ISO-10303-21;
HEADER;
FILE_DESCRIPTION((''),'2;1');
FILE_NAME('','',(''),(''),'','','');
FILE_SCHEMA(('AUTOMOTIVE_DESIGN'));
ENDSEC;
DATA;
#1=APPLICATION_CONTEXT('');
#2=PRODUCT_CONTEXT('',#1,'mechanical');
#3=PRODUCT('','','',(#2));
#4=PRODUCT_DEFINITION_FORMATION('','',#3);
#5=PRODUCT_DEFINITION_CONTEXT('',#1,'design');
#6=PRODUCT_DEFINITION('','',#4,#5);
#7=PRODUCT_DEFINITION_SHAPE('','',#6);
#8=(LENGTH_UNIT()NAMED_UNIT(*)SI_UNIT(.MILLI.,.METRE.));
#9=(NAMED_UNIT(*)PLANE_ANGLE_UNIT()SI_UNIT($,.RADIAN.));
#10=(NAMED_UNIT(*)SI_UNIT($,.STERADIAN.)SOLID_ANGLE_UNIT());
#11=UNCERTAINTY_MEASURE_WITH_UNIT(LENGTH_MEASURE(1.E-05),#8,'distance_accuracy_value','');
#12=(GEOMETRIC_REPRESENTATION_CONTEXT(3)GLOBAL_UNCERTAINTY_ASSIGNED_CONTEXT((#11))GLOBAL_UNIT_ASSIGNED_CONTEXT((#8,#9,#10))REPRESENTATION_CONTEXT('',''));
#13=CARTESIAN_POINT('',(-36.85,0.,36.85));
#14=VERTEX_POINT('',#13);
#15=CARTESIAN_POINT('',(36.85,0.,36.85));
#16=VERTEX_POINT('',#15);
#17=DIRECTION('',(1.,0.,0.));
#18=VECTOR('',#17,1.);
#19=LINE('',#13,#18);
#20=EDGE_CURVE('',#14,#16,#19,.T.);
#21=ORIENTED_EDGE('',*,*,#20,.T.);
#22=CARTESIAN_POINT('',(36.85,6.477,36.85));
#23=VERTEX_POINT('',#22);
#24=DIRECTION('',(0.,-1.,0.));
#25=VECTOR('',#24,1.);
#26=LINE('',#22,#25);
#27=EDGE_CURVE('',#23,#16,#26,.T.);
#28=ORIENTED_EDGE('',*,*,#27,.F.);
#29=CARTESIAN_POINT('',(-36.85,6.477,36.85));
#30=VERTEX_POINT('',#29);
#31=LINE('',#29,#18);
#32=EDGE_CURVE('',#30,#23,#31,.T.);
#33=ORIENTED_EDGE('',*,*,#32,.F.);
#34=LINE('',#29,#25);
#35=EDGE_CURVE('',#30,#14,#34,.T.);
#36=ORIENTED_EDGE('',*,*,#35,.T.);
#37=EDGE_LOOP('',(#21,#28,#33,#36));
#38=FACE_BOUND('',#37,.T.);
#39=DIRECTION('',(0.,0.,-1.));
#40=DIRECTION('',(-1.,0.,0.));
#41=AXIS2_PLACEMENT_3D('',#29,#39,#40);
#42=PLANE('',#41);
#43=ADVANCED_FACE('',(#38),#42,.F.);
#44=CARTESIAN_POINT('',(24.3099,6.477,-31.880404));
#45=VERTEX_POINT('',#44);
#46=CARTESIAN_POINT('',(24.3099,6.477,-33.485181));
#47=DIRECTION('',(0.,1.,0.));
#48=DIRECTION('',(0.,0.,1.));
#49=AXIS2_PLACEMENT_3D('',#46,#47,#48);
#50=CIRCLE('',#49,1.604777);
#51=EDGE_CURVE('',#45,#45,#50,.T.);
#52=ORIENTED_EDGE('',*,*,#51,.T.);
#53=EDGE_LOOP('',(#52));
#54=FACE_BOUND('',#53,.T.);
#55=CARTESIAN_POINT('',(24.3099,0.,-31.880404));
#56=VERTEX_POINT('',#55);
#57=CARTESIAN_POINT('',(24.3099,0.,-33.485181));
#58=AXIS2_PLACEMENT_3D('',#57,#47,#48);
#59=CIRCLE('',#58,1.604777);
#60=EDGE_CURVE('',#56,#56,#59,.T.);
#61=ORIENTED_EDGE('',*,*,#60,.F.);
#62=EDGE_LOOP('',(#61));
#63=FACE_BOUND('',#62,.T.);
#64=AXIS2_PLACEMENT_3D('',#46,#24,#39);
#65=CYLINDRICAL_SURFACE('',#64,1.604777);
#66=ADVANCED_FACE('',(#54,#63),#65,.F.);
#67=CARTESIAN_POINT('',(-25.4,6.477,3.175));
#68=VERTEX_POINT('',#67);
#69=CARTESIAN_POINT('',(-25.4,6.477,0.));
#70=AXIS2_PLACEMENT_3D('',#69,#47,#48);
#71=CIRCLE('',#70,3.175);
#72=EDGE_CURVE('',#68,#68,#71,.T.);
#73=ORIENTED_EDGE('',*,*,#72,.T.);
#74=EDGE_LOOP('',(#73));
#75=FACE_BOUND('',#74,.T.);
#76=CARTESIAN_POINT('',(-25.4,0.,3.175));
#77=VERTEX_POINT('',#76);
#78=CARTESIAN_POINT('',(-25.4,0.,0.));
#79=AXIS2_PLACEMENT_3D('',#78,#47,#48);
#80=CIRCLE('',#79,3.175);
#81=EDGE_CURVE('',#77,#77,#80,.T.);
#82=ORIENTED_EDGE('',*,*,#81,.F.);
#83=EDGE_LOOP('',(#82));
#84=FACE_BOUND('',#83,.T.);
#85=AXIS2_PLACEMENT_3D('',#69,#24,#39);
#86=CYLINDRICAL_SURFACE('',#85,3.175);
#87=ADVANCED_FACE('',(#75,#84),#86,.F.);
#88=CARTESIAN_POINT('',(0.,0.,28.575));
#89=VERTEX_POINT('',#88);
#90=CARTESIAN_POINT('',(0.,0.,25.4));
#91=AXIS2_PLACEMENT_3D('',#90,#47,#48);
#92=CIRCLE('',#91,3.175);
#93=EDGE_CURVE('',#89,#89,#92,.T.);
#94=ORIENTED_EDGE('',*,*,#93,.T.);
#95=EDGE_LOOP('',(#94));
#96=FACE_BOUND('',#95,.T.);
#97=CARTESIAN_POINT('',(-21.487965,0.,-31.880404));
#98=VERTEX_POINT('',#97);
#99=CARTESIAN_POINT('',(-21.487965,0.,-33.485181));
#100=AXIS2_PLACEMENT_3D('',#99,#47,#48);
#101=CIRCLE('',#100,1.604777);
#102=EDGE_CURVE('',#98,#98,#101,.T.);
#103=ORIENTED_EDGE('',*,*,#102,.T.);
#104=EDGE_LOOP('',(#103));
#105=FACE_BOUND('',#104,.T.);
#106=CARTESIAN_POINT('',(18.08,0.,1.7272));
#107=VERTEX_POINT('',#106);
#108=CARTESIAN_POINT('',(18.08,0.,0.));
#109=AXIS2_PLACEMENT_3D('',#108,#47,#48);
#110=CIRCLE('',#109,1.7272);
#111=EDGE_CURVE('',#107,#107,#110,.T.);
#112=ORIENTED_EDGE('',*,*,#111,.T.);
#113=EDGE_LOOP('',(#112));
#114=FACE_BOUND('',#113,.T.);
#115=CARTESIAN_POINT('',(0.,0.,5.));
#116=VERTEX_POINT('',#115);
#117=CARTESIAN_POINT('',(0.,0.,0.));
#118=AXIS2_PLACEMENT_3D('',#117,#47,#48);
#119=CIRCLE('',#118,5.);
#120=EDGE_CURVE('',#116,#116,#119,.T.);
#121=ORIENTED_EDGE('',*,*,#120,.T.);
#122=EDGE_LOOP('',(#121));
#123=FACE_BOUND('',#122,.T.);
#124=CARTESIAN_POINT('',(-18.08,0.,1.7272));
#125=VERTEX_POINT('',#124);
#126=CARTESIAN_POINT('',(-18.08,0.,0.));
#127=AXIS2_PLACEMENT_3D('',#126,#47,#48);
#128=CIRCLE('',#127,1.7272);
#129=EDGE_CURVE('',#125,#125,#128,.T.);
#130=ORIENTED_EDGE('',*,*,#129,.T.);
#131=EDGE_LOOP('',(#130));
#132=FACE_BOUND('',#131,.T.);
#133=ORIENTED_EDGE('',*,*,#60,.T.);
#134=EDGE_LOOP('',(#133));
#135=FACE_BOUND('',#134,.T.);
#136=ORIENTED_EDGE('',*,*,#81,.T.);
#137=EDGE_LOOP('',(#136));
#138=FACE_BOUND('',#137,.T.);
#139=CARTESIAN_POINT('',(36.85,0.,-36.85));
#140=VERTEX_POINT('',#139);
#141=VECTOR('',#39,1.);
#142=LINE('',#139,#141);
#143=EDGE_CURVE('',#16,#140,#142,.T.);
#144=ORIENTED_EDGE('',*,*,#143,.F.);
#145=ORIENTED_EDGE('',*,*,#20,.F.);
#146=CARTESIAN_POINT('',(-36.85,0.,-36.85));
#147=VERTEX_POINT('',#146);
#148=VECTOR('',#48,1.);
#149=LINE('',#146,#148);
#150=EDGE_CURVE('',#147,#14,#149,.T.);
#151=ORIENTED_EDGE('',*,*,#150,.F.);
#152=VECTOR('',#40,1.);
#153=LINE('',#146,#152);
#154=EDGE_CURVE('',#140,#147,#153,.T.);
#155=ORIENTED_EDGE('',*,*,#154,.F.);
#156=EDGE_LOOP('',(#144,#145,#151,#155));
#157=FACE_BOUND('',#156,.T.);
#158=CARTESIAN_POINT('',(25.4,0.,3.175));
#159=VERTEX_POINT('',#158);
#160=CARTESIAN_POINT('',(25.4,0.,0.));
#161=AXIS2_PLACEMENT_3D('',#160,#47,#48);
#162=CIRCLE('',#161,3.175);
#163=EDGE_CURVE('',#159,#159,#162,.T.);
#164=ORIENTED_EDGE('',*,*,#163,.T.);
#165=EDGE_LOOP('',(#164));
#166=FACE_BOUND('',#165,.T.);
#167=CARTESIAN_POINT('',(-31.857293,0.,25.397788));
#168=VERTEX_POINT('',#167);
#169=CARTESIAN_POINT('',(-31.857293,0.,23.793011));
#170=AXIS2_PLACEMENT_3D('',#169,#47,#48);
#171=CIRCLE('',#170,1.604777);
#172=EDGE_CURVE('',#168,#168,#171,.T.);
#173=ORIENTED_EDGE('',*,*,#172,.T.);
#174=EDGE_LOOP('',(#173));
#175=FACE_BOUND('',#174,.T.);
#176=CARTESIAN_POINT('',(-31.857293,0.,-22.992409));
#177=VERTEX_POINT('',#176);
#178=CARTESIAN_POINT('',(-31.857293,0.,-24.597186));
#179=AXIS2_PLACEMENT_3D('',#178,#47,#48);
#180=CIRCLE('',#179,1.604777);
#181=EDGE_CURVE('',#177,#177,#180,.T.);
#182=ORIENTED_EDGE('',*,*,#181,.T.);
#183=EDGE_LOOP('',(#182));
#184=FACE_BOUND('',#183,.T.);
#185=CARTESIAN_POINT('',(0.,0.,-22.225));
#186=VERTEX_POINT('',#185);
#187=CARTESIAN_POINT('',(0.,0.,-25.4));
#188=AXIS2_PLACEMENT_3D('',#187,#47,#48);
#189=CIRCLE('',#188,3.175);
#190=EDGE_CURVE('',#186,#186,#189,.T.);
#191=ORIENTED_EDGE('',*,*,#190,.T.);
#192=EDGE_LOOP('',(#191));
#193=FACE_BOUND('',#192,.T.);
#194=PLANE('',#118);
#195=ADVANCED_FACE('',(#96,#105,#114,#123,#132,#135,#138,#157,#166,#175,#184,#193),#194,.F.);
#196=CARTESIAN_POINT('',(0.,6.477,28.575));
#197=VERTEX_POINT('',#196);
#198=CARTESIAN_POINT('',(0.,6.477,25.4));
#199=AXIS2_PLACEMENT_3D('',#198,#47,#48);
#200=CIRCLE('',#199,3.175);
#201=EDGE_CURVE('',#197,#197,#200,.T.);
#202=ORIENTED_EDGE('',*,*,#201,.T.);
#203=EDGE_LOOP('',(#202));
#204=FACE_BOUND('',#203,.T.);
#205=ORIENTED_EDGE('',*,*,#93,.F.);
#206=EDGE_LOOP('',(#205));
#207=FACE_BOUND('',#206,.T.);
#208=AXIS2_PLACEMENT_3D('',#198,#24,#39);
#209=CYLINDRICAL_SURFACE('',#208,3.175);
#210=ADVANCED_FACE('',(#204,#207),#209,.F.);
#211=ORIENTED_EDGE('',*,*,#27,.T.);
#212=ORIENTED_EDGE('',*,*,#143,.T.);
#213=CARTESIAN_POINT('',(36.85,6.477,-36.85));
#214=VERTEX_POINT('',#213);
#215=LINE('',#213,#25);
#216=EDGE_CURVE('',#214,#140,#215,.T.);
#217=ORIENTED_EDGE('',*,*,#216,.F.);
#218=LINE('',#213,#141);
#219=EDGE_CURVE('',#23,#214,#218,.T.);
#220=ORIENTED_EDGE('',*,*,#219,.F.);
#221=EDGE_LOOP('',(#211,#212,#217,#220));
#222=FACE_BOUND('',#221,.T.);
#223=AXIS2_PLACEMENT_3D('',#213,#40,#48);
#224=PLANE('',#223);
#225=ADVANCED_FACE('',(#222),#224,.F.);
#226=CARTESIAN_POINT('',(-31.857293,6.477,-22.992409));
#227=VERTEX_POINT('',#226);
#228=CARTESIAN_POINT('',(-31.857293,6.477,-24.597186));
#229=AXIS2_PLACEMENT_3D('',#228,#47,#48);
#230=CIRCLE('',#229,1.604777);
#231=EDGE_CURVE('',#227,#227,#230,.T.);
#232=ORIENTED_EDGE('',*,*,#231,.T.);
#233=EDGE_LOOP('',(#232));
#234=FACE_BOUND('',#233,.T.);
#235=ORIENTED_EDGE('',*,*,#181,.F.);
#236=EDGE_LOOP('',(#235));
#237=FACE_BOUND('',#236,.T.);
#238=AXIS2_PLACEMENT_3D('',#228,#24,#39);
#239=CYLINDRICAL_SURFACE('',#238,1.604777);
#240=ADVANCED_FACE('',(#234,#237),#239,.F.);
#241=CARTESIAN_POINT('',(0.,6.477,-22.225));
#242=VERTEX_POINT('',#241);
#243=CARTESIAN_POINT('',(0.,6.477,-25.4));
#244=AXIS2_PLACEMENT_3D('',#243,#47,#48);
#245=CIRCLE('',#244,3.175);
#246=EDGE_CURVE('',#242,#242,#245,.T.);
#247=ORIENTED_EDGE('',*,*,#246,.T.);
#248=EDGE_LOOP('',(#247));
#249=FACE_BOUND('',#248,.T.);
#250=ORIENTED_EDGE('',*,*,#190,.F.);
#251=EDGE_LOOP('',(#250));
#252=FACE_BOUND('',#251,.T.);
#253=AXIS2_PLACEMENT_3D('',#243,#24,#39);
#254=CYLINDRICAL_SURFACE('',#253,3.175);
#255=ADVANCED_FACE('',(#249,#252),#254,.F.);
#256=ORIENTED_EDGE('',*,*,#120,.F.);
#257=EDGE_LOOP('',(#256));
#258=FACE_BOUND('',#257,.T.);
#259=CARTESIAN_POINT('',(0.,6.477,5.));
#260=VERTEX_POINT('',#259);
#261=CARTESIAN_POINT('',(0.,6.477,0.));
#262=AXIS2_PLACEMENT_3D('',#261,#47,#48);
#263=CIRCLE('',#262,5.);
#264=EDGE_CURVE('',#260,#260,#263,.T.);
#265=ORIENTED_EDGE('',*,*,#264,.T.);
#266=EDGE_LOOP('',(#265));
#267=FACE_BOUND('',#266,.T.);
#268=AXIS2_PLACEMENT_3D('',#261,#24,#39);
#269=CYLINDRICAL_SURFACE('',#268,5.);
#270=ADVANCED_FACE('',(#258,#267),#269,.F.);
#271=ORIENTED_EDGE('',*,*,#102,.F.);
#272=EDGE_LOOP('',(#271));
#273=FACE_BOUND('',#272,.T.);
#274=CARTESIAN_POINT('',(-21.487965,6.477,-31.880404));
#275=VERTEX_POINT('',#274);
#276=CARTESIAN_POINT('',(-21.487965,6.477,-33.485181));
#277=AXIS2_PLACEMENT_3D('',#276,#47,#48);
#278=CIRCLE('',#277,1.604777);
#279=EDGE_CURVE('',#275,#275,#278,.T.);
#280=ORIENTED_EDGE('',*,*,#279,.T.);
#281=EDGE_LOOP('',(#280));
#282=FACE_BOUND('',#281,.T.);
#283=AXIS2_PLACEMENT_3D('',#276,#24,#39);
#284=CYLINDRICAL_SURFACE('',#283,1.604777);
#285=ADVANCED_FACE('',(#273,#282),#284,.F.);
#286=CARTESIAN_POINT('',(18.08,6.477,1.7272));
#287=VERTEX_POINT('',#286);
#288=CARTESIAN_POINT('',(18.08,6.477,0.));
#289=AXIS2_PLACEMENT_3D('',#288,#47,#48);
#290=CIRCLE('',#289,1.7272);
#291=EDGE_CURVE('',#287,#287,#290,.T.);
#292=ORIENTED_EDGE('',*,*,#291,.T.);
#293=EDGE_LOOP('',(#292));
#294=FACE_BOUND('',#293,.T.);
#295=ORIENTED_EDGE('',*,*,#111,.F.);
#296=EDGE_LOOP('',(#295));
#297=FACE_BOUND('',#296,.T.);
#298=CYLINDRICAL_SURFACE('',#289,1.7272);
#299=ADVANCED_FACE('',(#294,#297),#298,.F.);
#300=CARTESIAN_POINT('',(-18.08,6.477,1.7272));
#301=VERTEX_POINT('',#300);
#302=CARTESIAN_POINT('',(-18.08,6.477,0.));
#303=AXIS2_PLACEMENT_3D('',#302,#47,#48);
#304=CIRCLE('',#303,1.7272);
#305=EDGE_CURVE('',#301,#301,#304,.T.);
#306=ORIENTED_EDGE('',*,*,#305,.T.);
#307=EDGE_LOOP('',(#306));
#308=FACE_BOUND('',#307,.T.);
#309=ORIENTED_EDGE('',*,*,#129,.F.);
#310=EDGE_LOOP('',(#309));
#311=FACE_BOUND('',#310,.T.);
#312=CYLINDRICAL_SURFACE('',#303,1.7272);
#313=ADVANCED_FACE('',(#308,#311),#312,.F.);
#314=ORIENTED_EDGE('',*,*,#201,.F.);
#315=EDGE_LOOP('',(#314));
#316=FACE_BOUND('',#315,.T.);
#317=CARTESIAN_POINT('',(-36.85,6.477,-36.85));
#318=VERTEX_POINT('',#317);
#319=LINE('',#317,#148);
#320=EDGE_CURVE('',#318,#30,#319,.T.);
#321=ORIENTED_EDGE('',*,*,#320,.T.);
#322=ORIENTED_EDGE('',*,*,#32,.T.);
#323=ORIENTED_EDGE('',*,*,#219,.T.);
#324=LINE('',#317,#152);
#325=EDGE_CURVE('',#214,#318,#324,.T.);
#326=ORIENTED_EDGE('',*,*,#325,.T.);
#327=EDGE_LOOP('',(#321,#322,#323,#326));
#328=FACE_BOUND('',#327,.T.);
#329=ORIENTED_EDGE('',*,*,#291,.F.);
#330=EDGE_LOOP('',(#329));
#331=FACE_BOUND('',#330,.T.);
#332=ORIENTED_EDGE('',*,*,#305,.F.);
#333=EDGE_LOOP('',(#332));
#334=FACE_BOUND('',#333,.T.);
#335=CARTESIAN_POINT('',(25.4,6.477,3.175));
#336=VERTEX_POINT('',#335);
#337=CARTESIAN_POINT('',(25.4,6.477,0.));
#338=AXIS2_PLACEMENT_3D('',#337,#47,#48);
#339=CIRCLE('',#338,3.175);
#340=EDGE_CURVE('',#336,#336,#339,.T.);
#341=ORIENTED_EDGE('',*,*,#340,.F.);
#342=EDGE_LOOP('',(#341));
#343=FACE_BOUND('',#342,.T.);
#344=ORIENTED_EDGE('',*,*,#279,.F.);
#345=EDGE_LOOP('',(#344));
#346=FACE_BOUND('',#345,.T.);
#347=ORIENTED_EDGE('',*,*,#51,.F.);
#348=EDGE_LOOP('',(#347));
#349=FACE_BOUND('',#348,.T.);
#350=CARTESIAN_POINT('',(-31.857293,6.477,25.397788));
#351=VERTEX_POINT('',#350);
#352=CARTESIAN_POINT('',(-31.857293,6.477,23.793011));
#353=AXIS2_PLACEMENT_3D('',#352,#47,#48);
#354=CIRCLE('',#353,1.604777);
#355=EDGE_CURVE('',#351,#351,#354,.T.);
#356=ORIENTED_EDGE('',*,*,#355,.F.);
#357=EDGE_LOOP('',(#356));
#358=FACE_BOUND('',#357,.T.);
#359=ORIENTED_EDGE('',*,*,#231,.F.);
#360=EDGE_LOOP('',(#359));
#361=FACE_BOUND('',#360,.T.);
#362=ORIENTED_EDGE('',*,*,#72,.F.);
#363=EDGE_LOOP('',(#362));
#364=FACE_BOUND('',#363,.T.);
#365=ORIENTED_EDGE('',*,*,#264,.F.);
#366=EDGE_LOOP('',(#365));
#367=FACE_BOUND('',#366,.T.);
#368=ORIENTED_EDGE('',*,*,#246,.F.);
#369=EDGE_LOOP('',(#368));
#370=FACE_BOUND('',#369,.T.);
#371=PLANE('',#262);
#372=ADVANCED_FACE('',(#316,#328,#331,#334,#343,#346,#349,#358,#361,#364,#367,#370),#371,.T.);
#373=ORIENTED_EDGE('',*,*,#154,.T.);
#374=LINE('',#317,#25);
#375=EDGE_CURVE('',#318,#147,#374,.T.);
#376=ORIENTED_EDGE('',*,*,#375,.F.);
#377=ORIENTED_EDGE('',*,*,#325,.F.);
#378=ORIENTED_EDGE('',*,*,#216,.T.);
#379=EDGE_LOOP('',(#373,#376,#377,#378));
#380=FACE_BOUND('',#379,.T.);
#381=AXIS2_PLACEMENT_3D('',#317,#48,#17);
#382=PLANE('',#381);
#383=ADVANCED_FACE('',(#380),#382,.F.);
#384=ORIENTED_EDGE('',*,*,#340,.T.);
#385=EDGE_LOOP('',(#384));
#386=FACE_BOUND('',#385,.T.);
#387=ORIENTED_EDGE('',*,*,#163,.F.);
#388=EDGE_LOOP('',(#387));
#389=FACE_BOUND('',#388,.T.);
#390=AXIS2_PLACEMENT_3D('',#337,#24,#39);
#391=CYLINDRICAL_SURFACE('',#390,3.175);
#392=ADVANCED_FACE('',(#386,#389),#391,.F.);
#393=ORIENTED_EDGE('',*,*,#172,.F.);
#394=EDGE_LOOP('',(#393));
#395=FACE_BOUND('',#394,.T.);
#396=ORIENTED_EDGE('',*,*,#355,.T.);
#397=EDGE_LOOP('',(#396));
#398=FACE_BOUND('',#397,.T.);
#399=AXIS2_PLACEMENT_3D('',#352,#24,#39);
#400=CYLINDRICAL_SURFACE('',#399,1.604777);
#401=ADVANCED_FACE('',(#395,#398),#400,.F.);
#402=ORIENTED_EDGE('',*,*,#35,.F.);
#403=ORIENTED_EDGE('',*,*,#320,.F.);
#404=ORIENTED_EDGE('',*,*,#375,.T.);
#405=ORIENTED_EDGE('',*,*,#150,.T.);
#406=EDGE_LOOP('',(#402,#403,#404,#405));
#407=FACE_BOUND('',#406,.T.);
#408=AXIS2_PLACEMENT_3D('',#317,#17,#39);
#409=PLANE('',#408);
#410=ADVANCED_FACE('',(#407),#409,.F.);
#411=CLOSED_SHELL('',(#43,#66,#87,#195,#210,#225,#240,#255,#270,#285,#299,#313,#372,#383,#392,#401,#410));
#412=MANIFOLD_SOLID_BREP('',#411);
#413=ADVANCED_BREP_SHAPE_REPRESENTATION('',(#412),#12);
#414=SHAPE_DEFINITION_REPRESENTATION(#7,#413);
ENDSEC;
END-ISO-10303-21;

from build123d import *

# Parameters (mm, degrees)
SKETCH1_W             = 73.7
SKETCH1_H             = 73.7
SKETCH1_R             = 3.175
SKETCH1_R_2           = 5
SKETCH1_R_3           = 1.604776926
OPTICAL_MOUNT_DEPTH   = 6.477
F_8_32_TAPPED_HOLE1_D = 3.4544


with BuildPart() as part:
    # Sketch1 → optical_mount (new body)
    with BuildSketch(Plane(origin=(0, 0, 0), x_dir=(1, 0, 0), z_dir=(0, 1, 0))):
        Rectangle(SKETCH1_W, SKETCH1_H)
        with Locations((0, 25.4)):
            Circle(SKETCH1_R, mode=Mode.SUBTRACT)
        with Locations((25.4, 0)):
            Circle(SKETCH1_R, mode=Mode.SUBTRACT)
        with Locations((0, -25.4)):
            Circle(SKETCH1_R, mode=Mode.SUBTRACT)
        with Locations((-25.4, 0)):
            Circle(SKETCH1_R, mode=Mode.SUBTRACT)
        Circle(SKETCH1_R_2, mode=Mode.SUBTRACT)
        with Locations((24.309899871, 33.48518084)):
            Circle(SKETCH1_R_3, mode=Mode.SUBTRACT)
        with Locations((-21.487964718, 33.48518084)):
            Circle(SKETCH1_R_3, mode=Mode.SUBTRACT)
        with Locations((-31.85729255, 24.597185555)):
            Circle(SKETCH1_R_3, mode=Mode.SUBTRACT)
        with Locations((-31.85729255, -23.793010992)):
            Circle(SKETCH1_R_3, mode=Mode.SUBTRACT)
    extrude(amount=OPTICAL_MOUNT_DEPTH)

    # #8-32 Tapped Hole1 (through all)
    with Locations(Plane(origin=(-18.08, 6.477, 0), x_dir=(0, 0, 1), z_dir=(0, 1, 0))):
        with Locations((0, 0), (0, 36.16)):
            Hole(F_8_32_TAPPED_HOLE1_D / 2)


solid = part.part
